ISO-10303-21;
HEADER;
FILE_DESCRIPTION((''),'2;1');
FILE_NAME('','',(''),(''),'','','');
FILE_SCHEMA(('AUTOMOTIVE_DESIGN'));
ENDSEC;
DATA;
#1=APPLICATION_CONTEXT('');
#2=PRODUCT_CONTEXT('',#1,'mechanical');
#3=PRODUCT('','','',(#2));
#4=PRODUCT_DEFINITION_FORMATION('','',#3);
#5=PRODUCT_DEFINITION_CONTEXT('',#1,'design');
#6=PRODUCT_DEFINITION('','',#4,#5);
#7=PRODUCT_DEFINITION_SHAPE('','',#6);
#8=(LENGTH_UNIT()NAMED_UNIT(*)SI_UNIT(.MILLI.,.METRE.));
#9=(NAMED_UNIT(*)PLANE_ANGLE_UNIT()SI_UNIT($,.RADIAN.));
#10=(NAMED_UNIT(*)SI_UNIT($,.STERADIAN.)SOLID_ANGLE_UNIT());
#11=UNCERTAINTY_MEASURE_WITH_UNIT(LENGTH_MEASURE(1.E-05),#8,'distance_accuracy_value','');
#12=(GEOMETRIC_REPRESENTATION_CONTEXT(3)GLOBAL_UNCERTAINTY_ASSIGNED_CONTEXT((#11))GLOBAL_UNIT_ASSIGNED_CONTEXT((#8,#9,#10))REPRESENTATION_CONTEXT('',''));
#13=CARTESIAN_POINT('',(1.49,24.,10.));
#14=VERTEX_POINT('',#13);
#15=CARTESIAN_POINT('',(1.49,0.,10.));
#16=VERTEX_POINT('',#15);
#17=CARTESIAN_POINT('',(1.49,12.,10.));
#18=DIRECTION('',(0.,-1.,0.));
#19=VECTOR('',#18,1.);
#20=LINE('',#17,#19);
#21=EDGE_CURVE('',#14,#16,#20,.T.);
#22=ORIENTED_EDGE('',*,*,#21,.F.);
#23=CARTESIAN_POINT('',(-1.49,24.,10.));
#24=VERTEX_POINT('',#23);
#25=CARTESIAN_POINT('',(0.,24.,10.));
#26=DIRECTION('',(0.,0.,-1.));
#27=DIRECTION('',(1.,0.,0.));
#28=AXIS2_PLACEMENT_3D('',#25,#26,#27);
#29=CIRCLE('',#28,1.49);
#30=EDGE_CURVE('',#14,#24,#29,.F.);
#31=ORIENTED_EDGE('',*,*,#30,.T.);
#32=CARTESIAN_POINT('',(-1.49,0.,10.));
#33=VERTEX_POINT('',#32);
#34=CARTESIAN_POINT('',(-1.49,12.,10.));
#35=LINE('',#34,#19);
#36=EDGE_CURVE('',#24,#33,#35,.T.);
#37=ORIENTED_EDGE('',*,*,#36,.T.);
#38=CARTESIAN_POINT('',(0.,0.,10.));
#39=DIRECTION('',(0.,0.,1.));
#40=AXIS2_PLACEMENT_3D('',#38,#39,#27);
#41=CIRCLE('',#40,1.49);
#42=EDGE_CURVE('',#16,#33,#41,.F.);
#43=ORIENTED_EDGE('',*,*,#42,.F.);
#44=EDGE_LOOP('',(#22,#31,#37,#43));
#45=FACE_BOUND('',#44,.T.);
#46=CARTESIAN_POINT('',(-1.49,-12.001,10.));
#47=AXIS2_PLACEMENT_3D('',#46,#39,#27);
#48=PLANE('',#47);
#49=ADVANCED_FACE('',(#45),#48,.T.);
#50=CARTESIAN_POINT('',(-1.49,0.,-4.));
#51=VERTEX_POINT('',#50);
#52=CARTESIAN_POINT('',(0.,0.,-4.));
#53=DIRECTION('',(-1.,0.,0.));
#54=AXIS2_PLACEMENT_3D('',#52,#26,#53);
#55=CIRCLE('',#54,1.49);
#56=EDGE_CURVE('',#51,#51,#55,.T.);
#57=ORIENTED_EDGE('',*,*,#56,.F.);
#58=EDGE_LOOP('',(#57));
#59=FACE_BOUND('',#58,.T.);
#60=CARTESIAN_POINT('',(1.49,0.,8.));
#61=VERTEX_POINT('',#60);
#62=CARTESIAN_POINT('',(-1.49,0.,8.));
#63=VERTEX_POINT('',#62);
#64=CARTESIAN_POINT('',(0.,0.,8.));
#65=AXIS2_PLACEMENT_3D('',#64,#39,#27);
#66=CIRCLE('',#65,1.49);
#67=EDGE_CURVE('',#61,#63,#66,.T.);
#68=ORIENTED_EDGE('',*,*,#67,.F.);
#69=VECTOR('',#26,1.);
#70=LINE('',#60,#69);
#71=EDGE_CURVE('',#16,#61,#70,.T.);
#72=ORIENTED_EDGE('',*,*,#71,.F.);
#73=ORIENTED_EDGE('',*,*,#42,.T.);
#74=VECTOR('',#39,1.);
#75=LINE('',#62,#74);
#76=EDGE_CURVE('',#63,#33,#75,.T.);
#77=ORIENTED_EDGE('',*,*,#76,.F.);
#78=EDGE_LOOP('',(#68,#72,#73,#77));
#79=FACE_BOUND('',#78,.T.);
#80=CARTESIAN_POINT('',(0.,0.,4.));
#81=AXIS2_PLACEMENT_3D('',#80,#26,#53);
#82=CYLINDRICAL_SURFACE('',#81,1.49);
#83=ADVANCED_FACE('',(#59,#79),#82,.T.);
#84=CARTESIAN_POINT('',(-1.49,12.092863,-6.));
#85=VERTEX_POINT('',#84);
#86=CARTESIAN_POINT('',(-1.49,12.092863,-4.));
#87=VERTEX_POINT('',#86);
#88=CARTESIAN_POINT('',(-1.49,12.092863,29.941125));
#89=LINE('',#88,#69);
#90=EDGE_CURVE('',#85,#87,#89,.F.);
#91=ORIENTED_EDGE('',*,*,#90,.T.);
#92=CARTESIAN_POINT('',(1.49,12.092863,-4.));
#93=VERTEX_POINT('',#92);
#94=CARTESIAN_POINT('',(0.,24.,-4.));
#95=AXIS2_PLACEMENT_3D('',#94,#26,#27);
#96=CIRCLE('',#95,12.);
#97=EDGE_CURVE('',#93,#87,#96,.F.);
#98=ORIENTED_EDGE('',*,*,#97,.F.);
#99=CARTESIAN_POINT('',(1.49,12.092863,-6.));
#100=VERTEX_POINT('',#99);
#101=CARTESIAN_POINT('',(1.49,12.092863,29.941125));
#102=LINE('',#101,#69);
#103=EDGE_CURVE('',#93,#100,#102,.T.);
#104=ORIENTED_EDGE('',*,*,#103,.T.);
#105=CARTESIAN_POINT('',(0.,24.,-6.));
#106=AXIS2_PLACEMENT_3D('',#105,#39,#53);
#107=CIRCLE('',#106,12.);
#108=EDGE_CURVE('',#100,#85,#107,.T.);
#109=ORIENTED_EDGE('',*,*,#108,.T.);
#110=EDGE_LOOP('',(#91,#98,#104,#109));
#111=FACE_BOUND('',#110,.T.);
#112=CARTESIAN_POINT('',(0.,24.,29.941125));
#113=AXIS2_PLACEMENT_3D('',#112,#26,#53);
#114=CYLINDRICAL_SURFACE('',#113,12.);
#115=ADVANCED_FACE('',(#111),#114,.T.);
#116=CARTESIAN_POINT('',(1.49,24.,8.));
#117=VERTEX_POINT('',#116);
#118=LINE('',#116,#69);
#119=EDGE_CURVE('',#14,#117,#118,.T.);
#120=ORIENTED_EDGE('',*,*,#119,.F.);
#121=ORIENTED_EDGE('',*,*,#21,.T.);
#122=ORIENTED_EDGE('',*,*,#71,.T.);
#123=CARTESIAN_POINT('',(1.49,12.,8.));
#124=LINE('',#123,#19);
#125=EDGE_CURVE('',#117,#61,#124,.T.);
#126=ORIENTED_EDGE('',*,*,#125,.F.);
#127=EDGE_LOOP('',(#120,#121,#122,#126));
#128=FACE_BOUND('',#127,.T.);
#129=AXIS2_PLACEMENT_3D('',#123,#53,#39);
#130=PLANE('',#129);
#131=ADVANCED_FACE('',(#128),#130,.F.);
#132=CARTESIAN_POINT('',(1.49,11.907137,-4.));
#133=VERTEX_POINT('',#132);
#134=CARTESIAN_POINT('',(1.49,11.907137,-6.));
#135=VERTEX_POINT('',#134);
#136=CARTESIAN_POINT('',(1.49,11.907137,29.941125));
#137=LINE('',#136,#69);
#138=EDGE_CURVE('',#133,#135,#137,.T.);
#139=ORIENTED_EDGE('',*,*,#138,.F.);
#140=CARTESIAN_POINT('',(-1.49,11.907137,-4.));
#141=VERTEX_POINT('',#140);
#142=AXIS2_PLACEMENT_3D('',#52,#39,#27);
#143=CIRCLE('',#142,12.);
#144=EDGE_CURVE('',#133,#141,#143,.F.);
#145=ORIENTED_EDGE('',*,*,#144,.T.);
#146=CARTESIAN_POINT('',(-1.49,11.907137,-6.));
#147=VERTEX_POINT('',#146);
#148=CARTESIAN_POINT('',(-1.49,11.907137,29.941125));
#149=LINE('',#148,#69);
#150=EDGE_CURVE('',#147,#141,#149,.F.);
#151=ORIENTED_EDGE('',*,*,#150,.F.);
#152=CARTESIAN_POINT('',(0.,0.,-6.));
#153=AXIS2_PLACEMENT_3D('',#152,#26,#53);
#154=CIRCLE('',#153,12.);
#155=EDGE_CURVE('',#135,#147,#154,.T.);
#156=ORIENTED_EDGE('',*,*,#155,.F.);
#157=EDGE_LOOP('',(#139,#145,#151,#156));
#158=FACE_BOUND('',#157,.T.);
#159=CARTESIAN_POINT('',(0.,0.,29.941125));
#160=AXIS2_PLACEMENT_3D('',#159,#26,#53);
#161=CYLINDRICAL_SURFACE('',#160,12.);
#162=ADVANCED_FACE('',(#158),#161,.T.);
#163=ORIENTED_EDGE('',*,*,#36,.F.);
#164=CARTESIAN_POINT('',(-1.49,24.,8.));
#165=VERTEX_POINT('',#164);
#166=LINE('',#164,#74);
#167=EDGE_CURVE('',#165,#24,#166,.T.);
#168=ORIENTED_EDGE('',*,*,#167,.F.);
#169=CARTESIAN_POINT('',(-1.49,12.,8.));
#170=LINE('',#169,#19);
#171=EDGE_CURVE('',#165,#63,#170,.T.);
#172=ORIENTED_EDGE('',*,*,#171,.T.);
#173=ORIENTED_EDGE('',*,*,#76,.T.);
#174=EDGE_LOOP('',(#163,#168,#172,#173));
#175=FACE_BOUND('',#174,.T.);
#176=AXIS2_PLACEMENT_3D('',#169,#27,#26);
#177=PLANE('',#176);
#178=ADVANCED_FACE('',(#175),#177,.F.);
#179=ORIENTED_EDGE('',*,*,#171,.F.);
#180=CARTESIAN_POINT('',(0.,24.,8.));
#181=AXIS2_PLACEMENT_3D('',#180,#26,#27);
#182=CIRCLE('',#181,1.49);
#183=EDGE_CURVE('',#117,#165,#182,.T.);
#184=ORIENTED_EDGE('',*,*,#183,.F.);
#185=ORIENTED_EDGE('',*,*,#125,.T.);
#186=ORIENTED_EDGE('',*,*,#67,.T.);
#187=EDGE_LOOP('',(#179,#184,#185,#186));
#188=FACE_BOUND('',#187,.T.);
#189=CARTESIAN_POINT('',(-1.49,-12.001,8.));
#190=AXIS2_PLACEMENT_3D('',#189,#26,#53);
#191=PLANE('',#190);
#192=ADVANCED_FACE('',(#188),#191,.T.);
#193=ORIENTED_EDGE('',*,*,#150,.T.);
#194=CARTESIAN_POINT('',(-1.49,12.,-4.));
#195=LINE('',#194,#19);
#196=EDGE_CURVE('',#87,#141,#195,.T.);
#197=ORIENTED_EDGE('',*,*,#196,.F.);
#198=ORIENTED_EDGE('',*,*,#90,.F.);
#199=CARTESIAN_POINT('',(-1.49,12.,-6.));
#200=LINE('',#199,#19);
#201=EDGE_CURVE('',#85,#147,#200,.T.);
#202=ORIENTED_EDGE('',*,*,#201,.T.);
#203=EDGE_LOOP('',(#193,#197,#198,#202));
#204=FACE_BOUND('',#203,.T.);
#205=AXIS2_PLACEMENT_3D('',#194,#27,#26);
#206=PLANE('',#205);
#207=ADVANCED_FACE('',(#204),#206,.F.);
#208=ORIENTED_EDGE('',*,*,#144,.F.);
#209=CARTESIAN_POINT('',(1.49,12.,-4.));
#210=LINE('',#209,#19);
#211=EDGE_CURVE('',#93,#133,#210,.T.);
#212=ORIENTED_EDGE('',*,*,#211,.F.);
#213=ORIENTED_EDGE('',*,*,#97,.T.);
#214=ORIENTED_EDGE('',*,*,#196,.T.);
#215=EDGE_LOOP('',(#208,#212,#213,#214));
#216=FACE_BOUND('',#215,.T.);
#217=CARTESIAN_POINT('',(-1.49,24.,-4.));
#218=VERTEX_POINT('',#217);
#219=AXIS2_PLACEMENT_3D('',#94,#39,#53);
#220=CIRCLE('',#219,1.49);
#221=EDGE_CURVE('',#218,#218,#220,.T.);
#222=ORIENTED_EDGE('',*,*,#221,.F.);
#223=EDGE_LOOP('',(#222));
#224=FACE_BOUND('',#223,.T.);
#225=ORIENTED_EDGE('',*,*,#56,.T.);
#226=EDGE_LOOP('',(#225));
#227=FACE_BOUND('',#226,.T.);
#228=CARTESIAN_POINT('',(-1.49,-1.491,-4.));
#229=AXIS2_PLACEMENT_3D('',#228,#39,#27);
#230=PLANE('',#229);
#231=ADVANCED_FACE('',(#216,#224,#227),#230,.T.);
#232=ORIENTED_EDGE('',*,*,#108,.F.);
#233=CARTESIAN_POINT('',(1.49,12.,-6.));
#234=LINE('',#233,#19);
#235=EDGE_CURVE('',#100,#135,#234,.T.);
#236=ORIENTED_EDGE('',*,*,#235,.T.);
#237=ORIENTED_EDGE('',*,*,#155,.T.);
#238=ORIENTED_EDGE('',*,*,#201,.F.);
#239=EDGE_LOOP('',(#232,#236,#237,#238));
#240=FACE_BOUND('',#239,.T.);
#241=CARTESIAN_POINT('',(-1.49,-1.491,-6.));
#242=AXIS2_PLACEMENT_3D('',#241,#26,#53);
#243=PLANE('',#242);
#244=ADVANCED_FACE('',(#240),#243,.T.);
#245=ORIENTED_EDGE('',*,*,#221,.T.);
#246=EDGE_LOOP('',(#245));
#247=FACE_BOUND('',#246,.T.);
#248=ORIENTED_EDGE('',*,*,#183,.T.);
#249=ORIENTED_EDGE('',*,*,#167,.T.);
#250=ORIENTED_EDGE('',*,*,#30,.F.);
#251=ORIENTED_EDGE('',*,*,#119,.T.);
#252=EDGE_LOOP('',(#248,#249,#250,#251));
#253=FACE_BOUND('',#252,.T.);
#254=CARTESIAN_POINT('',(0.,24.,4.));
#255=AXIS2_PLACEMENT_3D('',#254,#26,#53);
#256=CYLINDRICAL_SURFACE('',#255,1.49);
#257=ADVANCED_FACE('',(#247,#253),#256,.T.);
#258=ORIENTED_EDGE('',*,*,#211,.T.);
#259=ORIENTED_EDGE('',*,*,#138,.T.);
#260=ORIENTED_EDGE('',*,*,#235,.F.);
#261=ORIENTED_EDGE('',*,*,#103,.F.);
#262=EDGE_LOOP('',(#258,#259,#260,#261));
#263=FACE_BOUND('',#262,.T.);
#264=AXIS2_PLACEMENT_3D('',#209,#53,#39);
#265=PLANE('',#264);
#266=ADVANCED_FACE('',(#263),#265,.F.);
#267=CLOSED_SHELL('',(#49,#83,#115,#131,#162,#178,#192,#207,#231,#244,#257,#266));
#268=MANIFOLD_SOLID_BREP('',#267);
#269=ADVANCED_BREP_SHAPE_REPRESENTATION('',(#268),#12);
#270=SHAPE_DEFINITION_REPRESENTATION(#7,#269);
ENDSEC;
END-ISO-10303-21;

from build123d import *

# Parameters (mm, degrees)
SKETCH_1_R                       = 1.49
EXTRUDE_1_DEPTH                  = 4
EXTRUDE_START                    = 4
SKETCH_2_R                       = 1.49
EXTRUDE_2_DEPTH                  = 4
SKETCH_3_R                       = 1.49
EXTRUDE_3_DEPTH                  = 4
SKETCH_4_W                       = 2.98
SKETCH_4_H                       = 2
EXTRUDE_4_DEPTH                  = 12
EXTRUDE_4_DIRECTION_2_REACH      = 10.273
EXTRUDE_4_DIRECTION_2_END_RADIUS = 1.49
SKETCH_9_R                       = 12
EXTRUDE_6_DEPTH                  = 2
SKETCH_6_W                       = 2.98
SKETCH_6_H                       = 2
EXTRUDE_5_DEPTH                  = 12
EXTRUDE_5_DIRECTION_2_REACH      = 20.762
EXTRUDE_5_DIRECTION_2_END_RADIUS = 1.49


with BuildPart() as part:
    # 草图1 → 凸台-拉伸1 (new body)
    with BuildSketch(Plane.XY):
        Circle(SKETCH_1_R)
    extrude(amount=EXTRUDE_1_DEPTH)

    # 草图2 → 凸台-拉伸2 (add)
    with BuildSketch(Plane(origin=(0, 0, 0), x_dir=(-1, 0, 0), z_dir=(0, 0, -1)).offset(EXTRUDE_START)):
        Circle(SKETCH_2_R)
    extrude(amount=-EXTRUDE_2_DEPTH)

    # 草图3 → 凸台-拉伸3 (add)
    with BuildSketch(Plane.XY.offset(4)):
        with Locations(Location((0, 0, 0), (0, 0, 180))):
            Circle(SKETCH_3_R)
    extrude(amount=EXTRUDE_3_DEPTH)

    # 草图4 → 凸台-拉伸4 (add)
    with BuildSketch(Plane(origin=(0, 0, 0), x_dir=(1, 0, 0), z_dir=(0, 1, 0))):
        with Locations((0, 5)):
            Rectangle(SKETCH_4_W, SKETCH_4_H)
    extrude(amount=EXTRUDE_4_DEPTH)

    # 凸台-拉伸4 direction 2: up to this cylinder (the profile starts inside it)
    extrude_4_direction_2_end = Plane(origin=(0, 0, -5), z_dir=(0, 0, -1)) * Cylinder(EXTRUDE_4_DIRECTION_2_END_RADIUS, 24.526, mode=Mode.PRIVATE)
    # 草图4 → 凸台-拉伸4 direction 2 (add, up to the surface)
    with BuildSketch(Plane(origin=(0, 0, 0), x_dir=(1, 0, 0), z_dir=(0, 1, 0)), mode=Mode.PRIVATE) as extrude_4_direction_2_sk1:
        with Locations((0, 5)):
            Rectangle(SKETCH_4_W, SKETCH_4_H)
    extrude_4_direction_2_tool1 = extrude(extrude_4_direction_2_sk1.sketch, amount=-EXTRUDE_4_DIRECTION_2_REACH, mode=Mode.PRIVATE) & extrude_4_direction_2_end
    add(extrude_4_direction_2_tool1.solids().sort_by_distance((0, 0, -5))[0])

    # 草图9 → 凸台-拉伸6 (add)
    with BuildSketch(Plane(origin=(0, 0, -6), x_dir=(-1, 0, 0), z_dir=(0, 0, -1))):
        Circle(SKETCH_9_R)
    extrude(amount=-EXTRUDE_6_DEPTH)

    # 草图6 → 凸台-拉伸5 (add)
    with BuildSketch(Plane(origin=(0, 0, 0), x_dir=(1, 0, 0), z_dir=(0, 1, 0))):
        with Locations((0, -9)):
            Rectangle(SKETCH_6_W, SKETCH_6_H)
    extrude(amount=EXTRUDE_5_DEPTH)

    # 凸台-拉伸5 direction 2: up to this cylinder (the profile starts inside it)
    extrude_5_direction_2_end = Plane(origin=(0, 0, 9), z_dir=(0, 0, -1)) * Cylinder(EXTRUDE_5_DIRECTION_2_END_RADIUS, 45.504, mode=Mode.PRIVATE)
    # 草图6 → 凸台-拉伸5 direction 2 (add, up to the surface)
    with BuildSketch(Plane(origin=(0, 0, 0), x_dir=(1, 0, 0), z_dir=(0, 1, 0)), mode=Mode.PRIVATE) as extrude_5_direction_2_sk1:
        with Locations((0, -9)):
            Rectangle(SKETCH_6_W, SKETCH_6_H)
    extrude_5_direction_2_tool1 = extrude(extrude_5_direction_2_sk1.sketch, amount=-EXTRUDE_5_DIRECTION_2_REACH, mode=Mode.PRIVATE) & extrude_5_direction_2_end
    add(extrude_5_direction_2_tool1.solids().sort_by_distance((0, 0, 9))[0])

    # 镜向2: part across plane


with BuildPart() as part_1:
    add(part.part)
    add(part.part.mirror(Plane.ZX.offset(12)))


solid = part_1.part
